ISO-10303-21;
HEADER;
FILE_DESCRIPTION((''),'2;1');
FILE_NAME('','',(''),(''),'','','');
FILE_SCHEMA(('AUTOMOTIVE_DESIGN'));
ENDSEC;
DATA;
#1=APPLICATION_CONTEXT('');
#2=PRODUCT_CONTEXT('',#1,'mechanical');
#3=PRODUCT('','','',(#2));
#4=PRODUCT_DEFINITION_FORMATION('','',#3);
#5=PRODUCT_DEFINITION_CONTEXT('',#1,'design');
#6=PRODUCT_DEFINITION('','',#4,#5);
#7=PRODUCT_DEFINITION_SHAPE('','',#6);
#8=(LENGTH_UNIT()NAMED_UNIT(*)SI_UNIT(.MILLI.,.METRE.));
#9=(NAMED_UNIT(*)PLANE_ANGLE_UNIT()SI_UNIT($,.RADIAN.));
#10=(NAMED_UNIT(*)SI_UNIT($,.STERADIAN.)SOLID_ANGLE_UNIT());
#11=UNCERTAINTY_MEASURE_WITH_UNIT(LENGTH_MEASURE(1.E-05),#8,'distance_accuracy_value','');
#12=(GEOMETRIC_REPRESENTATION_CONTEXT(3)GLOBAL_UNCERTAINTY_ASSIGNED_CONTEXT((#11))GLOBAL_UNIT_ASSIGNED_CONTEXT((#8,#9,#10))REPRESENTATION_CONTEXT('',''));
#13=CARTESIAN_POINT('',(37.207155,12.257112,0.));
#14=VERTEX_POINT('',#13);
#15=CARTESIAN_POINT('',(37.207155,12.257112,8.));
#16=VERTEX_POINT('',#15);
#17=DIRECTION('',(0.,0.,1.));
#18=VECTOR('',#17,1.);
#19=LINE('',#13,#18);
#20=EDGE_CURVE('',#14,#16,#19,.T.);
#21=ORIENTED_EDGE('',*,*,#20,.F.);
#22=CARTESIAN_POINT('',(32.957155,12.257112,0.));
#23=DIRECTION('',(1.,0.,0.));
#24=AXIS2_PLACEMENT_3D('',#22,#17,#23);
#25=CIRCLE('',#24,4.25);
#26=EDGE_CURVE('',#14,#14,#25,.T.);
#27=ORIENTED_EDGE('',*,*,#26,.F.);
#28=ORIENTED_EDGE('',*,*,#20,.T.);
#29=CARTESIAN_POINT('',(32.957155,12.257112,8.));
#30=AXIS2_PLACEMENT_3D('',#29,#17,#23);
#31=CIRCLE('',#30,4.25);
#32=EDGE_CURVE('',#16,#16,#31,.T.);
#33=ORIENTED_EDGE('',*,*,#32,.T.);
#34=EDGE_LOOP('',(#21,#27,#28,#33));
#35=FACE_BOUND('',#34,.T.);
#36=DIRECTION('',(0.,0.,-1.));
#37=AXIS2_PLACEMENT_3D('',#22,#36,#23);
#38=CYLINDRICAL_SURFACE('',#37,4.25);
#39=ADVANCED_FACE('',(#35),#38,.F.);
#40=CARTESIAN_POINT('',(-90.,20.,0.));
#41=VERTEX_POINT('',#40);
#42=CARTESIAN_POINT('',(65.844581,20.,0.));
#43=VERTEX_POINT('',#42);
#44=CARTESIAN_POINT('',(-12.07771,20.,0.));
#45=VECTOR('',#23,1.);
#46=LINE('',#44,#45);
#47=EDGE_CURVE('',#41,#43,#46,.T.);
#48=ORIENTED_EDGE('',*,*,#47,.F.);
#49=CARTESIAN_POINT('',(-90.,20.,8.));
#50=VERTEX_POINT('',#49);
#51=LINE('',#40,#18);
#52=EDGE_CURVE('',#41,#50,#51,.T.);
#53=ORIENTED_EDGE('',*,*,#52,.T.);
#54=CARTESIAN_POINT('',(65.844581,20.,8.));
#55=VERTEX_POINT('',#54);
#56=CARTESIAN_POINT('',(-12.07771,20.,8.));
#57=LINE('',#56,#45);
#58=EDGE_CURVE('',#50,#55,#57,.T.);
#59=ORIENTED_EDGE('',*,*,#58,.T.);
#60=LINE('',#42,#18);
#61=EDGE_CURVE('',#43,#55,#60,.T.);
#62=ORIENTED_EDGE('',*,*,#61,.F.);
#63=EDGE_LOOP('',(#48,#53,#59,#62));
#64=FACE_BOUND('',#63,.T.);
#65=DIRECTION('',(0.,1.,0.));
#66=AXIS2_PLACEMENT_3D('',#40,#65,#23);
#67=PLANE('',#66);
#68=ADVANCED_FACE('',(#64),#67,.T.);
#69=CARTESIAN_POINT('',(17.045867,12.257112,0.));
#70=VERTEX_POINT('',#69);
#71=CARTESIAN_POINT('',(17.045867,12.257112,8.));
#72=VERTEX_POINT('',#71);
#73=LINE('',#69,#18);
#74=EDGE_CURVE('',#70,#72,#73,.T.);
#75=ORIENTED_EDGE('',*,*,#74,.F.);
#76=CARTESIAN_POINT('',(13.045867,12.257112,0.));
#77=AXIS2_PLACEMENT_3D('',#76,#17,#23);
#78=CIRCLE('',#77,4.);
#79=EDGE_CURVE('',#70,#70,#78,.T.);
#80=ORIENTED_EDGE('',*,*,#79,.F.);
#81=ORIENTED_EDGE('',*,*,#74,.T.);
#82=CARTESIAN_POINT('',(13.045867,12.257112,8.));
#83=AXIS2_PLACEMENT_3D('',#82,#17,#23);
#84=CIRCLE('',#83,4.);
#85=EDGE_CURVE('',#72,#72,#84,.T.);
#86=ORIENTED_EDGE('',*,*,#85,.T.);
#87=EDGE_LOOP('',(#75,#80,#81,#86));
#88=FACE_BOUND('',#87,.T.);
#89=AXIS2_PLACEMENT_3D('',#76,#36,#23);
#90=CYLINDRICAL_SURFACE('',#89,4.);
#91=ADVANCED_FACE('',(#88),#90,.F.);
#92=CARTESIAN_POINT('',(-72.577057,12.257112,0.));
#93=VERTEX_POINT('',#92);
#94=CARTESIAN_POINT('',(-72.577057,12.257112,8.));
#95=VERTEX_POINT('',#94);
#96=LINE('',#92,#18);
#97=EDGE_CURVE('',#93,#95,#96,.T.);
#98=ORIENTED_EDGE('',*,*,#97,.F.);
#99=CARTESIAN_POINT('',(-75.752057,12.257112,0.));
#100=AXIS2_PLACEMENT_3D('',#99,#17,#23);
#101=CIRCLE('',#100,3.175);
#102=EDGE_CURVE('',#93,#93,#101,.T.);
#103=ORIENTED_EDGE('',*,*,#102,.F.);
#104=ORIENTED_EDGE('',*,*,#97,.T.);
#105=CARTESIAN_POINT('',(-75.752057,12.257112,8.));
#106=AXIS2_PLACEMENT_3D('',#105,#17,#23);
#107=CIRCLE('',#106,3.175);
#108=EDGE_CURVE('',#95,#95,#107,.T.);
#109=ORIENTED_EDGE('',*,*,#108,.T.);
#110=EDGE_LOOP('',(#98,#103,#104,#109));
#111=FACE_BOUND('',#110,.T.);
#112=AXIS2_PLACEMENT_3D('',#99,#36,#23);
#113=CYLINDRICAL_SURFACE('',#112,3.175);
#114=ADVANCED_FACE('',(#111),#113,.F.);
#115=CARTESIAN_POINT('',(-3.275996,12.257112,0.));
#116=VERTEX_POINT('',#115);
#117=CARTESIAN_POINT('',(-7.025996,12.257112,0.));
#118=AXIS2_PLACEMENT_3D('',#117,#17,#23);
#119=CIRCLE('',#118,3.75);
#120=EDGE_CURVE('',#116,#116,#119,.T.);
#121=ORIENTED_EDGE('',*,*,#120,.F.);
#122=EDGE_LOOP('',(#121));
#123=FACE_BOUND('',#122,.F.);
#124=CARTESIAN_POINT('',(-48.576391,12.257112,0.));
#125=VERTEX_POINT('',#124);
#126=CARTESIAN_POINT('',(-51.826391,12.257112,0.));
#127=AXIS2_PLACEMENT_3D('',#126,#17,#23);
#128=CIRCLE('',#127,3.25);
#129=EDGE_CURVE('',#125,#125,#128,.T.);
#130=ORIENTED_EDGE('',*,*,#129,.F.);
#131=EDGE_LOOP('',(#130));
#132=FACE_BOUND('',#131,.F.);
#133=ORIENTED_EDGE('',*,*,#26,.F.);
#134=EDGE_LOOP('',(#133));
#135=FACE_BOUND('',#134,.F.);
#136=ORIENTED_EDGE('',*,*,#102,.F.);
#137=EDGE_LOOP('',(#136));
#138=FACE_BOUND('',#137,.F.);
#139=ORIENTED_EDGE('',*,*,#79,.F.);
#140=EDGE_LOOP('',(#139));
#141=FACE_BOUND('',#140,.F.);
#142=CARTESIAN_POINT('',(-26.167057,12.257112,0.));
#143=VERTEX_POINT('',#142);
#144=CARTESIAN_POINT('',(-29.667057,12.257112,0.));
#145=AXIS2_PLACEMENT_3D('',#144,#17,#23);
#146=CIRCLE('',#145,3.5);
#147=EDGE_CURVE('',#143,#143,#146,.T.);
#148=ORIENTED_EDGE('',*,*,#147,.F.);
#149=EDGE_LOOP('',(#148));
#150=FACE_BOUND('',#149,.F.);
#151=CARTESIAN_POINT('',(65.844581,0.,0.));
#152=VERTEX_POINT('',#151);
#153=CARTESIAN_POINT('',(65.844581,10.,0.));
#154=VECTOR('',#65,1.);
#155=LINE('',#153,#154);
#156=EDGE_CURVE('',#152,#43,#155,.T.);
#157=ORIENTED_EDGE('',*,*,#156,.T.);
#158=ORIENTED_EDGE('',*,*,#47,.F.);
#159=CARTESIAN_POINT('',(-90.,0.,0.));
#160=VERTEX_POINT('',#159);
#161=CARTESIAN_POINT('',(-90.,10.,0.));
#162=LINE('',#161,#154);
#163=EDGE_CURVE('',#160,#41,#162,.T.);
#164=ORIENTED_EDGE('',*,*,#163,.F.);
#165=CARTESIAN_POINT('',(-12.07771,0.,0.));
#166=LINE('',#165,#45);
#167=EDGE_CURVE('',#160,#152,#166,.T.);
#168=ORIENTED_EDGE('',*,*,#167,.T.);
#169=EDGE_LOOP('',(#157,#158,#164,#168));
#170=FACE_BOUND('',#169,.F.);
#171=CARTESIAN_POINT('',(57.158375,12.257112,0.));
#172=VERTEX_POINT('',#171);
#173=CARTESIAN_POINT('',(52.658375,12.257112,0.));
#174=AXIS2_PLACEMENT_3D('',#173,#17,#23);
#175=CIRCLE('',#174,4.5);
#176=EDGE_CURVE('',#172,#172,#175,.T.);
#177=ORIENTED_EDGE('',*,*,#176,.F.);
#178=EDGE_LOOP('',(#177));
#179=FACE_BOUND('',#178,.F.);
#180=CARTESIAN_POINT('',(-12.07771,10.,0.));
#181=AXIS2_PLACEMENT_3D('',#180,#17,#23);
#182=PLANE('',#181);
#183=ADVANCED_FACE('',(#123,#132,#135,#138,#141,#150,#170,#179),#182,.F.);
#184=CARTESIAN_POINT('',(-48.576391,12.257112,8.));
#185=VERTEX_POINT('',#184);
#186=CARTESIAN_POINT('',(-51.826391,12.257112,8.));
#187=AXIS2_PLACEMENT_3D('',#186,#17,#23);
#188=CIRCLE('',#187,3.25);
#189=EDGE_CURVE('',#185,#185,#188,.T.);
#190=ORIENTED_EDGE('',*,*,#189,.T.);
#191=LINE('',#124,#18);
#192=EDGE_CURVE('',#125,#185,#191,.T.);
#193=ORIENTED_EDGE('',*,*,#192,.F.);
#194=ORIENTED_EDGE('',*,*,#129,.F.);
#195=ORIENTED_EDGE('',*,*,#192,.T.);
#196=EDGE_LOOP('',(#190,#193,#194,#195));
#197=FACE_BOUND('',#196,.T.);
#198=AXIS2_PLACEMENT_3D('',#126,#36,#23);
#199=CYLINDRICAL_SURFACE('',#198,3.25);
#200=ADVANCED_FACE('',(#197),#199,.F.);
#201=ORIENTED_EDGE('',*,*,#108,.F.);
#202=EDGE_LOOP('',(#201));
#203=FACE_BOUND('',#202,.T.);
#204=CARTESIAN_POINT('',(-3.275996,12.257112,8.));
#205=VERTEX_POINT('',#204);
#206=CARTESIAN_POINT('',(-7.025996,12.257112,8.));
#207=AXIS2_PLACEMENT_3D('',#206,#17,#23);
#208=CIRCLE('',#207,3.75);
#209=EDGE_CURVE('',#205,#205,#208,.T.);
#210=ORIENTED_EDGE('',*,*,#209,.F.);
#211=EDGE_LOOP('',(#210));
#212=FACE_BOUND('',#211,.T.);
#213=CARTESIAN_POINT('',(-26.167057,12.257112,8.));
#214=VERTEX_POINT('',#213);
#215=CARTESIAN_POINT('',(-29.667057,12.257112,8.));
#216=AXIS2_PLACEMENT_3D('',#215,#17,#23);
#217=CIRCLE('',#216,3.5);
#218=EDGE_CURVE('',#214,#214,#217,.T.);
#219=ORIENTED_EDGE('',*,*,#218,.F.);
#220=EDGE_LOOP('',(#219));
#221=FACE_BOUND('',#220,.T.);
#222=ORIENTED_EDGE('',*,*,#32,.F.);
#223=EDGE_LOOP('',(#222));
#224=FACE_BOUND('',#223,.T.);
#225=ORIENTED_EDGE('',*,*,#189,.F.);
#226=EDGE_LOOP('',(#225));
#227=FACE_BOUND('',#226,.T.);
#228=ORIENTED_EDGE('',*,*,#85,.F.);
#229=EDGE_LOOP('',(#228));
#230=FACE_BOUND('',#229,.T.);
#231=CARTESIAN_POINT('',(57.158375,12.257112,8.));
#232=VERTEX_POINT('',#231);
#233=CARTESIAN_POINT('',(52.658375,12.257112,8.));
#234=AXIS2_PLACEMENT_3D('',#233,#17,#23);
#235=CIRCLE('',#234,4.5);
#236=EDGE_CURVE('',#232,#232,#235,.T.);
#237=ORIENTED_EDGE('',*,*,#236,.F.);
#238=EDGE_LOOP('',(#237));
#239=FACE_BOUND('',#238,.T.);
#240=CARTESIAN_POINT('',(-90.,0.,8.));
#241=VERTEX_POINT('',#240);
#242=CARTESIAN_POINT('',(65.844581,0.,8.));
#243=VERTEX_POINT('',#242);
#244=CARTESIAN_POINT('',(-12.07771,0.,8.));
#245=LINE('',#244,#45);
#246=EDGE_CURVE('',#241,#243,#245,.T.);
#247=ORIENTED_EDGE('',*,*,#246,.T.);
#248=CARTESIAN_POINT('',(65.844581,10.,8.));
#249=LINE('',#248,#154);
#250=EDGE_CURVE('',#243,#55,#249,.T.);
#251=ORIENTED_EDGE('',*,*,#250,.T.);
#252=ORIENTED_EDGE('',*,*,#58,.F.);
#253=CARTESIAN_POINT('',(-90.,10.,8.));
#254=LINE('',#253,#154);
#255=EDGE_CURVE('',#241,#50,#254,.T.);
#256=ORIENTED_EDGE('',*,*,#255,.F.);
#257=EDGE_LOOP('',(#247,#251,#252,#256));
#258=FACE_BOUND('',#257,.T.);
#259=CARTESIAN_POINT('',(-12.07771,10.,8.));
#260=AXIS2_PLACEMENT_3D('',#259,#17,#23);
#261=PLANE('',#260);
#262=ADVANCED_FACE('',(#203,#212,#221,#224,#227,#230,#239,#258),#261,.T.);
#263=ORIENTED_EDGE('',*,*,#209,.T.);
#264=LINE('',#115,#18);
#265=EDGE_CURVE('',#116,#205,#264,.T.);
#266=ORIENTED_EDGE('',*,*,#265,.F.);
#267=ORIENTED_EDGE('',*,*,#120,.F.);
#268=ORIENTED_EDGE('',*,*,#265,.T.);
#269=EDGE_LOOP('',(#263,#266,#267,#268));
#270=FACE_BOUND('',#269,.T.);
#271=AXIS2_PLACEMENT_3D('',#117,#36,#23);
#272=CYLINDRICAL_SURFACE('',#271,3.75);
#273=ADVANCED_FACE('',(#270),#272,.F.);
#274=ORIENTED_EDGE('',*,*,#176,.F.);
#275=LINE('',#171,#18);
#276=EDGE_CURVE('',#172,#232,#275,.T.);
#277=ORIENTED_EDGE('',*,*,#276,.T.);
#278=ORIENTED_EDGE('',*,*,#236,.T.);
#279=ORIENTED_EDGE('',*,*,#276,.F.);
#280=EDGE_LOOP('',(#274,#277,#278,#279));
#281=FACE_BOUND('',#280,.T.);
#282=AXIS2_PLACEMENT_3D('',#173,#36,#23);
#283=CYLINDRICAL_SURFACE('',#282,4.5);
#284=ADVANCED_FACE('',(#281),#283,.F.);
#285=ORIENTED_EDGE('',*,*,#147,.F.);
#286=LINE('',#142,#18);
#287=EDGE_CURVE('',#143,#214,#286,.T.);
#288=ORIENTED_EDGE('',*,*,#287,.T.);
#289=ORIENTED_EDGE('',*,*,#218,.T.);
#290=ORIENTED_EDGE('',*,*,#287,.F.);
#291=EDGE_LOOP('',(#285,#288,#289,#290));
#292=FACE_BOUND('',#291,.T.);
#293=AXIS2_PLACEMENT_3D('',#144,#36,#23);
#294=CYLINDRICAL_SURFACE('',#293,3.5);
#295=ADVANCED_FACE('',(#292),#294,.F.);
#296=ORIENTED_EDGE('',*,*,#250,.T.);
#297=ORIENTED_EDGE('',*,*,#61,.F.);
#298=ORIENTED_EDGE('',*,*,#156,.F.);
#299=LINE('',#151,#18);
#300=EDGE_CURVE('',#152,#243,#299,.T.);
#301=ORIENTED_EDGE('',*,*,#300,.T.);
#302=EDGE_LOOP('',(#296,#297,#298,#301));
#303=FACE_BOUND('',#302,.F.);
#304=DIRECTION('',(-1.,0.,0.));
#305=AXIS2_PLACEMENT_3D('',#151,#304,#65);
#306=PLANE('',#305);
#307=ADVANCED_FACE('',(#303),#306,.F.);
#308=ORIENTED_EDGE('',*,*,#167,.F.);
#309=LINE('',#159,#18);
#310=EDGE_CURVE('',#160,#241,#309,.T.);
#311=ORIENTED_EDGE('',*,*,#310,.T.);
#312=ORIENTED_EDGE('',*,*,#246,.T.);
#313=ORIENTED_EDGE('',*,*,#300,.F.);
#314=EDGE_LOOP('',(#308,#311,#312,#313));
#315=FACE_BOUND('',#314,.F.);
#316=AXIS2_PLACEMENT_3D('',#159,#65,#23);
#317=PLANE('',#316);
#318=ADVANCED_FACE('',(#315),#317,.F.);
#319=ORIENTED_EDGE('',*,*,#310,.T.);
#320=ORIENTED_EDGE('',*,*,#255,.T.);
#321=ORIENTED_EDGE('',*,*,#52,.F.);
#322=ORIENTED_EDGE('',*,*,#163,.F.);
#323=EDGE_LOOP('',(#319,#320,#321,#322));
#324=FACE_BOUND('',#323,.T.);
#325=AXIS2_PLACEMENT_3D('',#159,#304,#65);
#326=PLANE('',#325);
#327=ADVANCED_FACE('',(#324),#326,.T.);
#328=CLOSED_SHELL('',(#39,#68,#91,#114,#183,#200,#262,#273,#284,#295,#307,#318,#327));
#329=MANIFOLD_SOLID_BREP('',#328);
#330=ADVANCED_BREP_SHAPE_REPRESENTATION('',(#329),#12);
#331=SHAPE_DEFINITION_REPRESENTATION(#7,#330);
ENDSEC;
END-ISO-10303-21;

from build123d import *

# Parameters (mm, degrees)
F0_W     = 155.844581
F0_H     = 20
F0_R     = 3.175
F0_R_2   = 3.25
F0_R_3   = 3.5
F0_R_4   = 3.75
F0_R_5   = 4
F0_R_6   = 4.25
F0_R_7   = 4.5
F1_DEPTH = 8


with BuildPart() as f1:
    # F0 (on Top) → F1 (new body)
    with BuildSketch(Plane.XY):
        with Locations((-12.07771, 10)):
            Rectangle(F0_W, F0_H)
        with Locations((-75.752057, 12.257112)):
            Circle(F0_R, mode=Mode.SUBTRACT)
        with Locations((-51.826391, 12.257112)):
            Circle(F0_R_2, mode=Mode.SUBTRACT)
        with Locations((-29.667057, 12.257112)):
            Circle(F0_R_3, mode=Mode.SUBTRACT)
        with Locations((-7.025996, 12.257112)):
            Circle(F0_R_4, mode=Mode.SUBTRACT)
        with Locations((13.045867, 12.257112)):
            Circle(F0_R_5, mode=Mode.SUBTRACT)
        with Locations((32.957155, 12.257112)):
            Circle(F0_R_6, mode=Mode.SUBTRACT)
        with Locations((52.658375, 12.257112)):
            Circle(F0_R_7, mode=Mode.SUBTRACT)
    extrude(amount=F1_DEPTH)


solid = f1.part
